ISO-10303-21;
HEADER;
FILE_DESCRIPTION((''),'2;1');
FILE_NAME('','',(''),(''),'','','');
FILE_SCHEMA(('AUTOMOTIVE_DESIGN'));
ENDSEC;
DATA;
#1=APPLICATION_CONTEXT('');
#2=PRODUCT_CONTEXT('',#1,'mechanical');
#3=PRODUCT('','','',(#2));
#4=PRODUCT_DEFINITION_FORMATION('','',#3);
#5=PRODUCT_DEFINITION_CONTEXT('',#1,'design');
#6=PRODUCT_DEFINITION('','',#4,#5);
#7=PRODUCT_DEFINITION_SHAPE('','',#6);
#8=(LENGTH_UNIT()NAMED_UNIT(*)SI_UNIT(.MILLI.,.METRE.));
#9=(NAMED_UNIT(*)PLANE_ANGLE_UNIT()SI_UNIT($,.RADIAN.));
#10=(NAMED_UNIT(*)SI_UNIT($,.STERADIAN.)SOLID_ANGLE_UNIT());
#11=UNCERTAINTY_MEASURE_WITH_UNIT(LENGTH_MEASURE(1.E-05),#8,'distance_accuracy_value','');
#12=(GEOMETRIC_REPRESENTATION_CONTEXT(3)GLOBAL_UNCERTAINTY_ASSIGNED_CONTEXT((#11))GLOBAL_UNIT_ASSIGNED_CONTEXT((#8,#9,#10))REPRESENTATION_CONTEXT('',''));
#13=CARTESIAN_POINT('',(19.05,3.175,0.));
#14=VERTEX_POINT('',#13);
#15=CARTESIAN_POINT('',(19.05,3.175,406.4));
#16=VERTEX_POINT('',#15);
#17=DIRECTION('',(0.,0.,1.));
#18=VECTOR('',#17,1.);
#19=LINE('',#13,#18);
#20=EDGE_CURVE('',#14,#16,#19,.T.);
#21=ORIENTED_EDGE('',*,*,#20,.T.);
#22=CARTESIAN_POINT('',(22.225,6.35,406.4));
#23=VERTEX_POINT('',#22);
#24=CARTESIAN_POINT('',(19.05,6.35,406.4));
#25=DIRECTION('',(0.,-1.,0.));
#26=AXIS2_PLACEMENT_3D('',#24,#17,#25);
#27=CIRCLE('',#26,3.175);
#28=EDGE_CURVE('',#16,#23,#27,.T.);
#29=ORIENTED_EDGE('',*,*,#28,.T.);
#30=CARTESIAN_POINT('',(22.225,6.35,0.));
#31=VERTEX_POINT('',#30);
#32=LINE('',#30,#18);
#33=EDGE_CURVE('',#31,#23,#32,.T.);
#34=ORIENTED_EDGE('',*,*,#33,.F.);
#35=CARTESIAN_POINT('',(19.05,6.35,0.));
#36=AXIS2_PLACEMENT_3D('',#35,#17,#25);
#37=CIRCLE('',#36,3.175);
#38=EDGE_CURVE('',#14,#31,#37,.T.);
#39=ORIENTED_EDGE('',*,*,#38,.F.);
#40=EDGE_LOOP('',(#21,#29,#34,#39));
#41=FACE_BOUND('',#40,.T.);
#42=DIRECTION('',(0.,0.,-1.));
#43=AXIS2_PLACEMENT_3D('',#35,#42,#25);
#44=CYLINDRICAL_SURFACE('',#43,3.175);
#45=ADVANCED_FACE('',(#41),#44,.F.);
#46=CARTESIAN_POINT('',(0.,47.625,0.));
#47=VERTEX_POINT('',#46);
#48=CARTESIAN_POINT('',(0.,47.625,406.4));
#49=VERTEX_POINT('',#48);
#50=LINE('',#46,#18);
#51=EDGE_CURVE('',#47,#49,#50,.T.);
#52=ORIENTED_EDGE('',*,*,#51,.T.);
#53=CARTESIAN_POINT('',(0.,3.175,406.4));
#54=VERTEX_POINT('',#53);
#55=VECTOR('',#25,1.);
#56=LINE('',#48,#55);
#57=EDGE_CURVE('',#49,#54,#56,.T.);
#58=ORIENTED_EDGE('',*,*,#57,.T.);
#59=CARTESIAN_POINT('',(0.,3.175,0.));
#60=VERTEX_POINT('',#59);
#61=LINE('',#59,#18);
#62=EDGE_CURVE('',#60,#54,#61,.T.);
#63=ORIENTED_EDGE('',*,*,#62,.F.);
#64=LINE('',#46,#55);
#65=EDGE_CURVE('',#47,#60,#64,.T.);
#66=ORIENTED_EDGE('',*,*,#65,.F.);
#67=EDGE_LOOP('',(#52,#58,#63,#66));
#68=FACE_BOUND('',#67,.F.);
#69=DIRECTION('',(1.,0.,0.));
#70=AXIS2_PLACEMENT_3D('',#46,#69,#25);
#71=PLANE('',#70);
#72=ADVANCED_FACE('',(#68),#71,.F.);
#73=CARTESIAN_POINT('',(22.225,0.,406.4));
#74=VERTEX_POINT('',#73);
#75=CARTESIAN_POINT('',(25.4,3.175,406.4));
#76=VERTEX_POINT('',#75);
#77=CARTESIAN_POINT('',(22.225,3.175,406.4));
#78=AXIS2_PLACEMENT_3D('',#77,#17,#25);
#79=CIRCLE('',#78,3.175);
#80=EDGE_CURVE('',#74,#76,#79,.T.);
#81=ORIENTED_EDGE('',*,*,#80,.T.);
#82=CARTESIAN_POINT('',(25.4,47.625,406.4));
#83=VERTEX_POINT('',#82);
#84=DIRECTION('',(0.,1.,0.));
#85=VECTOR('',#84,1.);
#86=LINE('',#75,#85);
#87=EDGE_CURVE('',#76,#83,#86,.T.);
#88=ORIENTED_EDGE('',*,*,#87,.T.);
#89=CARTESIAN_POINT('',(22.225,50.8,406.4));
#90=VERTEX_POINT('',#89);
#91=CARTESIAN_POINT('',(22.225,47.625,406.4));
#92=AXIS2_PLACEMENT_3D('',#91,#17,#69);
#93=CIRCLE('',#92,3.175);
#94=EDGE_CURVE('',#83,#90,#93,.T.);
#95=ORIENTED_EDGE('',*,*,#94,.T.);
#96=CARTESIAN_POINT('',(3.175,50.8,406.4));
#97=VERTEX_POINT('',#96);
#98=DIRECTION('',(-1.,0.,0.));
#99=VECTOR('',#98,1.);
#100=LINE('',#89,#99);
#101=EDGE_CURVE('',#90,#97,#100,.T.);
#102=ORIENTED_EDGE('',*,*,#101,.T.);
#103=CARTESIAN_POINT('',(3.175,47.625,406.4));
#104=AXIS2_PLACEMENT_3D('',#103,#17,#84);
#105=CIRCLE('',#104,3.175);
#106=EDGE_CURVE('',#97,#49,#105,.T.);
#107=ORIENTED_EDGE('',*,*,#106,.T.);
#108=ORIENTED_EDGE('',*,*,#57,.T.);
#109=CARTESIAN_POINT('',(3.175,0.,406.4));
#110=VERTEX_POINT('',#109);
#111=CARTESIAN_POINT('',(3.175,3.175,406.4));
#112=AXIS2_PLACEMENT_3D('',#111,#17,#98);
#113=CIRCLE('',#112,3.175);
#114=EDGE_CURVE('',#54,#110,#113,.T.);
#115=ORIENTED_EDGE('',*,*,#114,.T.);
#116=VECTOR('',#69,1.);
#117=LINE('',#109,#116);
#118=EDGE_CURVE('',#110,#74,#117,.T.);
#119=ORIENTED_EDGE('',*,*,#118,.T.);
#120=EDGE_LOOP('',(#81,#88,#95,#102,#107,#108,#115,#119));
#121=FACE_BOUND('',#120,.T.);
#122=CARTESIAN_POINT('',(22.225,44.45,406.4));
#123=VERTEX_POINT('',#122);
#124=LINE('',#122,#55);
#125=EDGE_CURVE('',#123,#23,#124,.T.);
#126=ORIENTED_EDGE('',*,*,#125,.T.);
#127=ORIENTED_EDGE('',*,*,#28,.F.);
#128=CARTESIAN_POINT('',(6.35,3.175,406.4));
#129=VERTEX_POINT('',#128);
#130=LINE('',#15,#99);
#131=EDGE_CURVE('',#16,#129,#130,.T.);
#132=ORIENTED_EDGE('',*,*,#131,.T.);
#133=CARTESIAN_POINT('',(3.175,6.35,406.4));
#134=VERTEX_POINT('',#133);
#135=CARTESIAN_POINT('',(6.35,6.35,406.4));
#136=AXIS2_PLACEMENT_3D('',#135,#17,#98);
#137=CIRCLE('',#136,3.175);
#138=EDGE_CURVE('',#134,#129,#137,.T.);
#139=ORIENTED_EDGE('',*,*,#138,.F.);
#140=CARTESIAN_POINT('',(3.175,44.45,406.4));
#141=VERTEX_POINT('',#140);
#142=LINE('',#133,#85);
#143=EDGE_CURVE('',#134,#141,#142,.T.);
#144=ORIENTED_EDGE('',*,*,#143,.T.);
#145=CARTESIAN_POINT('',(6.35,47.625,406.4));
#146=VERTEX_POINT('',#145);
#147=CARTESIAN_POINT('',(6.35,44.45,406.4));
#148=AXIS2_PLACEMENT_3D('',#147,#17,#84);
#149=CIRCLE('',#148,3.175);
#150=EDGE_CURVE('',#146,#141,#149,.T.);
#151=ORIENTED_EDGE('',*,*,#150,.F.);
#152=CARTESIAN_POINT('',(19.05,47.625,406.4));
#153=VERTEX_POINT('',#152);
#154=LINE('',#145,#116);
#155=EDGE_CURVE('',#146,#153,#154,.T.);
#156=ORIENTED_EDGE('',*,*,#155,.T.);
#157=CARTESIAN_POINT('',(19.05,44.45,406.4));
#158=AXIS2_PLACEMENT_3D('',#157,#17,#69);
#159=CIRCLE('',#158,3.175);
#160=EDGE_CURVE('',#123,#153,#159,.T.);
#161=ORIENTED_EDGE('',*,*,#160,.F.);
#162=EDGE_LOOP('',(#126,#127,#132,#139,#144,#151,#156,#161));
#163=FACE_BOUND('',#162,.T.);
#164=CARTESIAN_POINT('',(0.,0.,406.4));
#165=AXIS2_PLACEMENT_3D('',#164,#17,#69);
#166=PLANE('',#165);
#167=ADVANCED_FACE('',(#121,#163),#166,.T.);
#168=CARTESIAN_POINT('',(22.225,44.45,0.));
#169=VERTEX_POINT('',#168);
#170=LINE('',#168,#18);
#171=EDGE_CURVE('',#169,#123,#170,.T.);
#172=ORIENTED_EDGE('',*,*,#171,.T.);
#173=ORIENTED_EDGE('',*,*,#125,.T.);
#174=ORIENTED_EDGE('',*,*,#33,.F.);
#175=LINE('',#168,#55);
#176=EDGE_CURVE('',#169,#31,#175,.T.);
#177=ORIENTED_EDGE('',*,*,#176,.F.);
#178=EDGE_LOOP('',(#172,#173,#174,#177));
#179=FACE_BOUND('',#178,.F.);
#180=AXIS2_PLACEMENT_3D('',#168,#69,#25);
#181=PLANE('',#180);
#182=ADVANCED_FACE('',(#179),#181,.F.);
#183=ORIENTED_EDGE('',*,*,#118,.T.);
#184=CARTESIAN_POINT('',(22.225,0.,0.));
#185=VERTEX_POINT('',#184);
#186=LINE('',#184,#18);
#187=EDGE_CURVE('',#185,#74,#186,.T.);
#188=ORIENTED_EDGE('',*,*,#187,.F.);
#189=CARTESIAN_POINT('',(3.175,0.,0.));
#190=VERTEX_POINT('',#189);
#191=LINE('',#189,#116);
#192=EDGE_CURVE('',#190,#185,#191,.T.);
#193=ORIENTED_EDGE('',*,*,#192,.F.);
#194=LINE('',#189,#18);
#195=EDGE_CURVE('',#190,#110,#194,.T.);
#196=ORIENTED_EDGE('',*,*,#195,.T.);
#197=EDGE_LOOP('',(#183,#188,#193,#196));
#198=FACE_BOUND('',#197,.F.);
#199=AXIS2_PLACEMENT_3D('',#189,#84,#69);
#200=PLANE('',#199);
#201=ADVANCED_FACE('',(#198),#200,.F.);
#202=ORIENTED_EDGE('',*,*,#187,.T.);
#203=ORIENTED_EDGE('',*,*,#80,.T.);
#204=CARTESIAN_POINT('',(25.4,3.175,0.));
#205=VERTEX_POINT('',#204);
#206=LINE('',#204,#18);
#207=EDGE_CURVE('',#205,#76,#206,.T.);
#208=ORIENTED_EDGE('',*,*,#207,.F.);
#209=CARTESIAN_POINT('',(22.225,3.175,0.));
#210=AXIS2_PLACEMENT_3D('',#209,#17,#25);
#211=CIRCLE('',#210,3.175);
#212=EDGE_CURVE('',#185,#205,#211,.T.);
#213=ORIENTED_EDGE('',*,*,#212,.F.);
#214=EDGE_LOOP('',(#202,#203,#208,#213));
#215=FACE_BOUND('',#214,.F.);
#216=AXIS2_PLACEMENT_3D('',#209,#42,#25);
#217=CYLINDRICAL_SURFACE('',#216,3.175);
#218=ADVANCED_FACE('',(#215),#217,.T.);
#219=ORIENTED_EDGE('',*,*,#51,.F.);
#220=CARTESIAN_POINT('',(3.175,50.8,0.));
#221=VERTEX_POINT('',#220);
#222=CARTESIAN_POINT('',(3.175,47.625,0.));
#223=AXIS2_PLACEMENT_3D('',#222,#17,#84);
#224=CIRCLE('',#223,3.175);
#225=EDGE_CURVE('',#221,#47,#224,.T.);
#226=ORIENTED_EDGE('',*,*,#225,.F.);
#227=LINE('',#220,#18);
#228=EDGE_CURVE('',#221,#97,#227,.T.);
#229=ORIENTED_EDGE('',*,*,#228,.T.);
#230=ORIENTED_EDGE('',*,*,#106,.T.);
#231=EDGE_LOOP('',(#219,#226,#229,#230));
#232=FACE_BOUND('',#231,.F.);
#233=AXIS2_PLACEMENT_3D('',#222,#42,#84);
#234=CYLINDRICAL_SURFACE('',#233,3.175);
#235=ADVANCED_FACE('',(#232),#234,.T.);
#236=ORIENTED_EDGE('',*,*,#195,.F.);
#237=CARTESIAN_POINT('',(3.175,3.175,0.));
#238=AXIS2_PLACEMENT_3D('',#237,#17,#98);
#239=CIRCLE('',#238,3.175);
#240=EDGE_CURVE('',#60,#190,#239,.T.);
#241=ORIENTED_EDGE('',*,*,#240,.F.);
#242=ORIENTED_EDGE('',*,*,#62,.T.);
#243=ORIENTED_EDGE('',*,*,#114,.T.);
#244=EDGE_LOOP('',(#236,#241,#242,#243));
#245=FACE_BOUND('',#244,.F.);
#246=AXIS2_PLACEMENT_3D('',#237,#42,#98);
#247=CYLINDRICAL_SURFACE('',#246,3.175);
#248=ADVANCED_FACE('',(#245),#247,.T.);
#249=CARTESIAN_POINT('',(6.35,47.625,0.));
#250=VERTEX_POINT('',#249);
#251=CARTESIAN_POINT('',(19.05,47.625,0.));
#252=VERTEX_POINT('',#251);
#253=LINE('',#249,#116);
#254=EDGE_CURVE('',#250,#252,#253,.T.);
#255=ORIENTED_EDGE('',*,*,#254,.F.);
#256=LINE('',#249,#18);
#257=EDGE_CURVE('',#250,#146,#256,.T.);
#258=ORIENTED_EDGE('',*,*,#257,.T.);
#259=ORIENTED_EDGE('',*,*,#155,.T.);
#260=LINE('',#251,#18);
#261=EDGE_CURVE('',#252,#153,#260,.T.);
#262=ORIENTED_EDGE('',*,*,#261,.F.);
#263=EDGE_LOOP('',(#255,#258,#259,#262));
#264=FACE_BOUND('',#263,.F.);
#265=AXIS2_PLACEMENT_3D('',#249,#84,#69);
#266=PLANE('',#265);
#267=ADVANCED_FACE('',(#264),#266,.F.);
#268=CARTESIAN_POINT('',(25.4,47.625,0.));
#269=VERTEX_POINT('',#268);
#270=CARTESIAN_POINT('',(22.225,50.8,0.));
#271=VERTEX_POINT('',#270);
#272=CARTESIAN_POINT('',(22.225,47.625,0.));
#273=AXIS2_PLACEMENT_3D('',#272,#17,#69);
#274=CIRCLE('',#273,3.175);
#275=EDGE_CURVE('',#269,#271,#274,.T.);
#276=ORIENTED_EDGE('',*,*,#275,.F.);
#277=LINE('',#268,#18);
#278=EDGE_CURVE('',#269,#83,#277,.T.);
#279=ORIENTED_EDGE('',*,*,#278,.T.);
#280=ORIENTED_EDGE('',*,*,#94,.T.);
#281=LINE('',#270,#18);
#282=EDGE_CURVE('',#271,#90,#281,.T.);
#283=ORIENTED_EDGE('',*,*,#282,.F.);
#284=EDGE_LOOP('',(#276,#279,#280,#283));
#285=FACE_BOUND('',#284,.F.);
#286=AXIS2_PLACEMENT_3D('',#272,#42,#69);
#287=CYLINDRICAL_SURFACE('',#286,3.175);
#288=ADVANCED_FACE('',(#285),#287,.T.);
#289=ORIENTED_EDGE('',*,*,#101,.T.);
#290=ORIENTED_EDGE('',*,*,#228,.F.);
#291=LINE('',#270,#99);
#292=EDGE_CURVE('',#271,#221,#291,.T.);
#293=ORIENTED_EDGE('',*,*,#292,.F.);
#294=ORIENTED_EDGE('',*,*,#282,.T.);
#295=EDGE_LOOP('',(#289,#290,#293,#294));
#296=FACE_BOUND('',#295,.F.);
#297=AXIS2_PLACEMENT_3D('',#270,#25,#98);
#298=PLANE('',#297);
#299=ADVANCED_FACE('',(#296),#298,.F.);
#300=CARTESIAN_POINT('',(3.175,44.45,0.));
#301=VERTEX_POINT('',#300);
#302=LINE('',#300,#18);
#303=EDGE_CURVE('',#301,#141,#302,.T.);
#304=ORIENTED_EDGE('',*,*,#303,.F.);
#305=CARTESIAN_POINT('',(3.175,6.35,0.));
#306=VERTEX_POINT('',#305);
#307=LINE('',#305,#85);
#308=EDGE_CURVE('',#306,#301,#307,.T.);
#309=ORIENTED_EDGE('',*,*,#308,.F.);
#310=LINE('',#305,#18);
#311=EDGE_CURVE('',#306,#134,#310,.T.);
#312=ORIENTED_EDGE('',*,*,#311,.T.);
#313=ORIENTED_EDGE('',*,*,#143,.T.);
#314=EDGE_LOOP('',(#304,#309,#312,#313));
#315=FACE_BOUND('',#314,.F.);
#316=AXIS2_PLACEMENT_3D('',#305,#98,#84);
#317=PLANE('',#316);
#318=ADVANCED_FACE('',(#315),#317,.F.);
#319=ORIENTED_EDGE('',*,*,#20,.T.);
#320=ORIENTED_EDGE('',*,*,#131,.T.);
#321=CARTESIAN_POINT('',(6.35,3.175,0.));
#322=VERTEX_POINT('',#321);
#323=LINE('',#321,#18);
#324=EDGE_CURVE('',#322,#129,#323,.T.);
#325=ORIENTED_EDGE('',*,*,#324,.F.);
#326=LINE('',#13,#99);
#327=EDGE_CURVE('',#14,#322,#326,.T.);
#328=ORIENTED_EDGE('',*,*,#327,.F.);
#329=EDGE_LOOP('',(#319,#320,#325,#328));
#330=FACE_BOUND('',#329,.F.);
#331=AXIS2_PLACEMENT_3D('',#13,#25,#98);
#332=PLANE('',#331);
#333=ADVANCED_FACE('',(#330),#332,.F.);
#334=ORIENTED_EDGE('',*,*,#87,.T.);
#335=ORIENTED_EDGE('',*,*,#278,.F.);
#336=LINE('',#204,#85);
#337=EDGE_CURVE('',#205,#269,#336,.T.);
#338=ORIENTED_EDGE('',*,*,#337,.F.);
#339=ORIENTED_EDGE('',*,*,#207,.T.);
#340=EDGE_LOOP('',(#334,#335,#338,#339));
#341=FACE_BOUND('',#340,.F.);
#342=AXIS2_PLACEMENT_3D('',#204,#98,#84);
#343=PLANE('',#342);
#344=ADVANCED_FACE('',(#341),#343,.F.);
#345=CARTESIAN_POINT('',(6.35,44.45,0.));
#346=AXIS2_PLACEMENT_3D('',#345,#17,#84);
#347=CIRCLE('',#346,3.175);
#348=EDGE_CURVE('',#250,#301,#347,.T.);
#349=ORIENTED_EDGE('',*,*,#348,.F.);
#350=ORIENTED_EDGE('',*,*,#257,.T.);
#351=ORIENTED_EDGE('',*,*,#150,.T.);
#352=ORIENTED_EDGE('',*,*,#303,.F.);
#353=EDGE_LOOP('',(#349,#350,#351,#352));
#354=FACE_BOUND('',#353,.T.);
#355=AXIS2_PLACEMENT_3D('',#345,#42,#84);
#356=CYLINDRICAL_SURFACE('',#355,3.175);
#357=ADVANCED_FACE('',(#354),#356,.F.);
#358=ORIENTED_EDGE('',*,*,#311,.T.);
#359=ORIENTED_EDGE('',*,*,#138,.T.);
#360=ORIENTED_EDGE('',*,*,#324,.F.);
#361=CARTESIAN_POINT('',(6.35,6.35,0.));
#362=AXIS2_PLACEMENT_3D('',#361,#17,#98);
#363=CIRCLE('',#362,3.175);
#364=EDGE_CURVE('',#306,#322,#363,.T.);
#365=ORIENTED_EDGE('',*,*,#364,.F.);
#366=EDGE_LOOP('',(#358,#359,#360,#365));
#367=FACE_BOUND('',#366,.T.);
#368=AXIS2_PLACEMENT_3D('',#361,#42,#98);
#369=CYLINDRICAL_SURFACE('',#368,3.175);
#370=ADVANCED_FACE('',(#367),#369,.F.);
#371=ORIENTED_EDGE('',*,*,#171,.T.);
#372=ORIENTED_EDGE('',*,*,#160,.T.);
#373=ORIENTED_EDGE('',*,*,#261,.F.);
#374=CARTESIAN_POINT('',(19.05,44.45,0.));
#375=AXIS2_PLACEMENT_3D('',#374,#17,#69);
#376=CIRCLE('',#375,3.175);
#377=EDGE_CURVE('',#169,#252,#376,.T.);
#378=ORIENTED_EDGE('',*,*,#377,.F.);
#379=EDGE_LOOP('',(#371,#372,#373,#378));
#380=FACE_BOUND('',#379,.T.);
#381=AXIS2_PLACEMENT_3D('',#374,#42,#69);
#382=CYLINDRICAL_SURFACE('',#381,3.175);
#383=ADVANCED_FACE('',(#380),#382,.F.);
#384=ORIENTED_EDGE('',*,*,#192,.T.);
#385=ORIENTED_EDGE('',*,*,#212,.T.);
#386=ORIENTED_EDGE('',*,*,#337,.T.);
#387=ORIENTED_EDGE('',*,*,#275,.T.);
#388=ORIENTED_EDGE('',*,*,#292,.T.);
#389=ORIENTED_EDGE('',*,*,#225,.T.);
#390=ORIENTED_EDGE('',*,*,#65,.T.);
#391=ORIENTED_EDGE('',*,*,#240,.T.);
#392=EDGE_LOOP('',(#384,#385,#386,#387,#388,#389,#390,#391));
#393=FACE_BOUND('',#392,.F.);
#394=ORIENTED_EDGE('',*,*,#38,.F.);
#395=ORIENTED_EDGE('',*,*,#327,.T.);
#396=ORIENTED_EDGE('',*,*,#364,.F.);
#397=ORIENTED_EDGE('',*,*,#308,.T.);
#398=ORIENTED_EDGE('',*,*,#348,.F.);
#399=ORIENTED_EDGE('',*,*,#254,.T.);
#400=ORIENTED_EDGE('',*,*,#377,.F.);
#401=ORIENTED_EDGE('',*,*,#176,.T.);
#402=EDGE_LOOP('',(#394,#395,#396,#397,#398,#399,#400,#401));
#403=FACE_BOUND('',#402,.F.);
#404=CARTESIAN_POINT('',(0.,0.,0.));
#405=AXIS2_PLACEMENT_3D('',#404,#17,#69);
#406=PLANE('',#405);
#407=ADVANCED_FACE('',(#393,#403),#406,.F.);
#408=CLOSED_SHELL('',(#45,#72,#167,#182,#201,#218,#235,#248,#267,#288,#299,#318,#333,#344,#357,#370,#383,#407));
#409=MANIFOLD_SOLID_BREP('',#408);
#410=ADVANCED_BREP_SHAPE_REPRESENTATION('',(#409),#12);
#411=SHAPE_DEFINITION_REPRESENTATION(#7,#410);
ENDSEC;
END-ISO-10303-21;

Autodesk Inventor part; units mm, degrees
ref_plane "YZ Plane" through (0, 0, 0) normal (1, 0, 0) x (0, 1, 0)
ref_plane "XZ Plane" through (0, 0, 0) normal (0, 1, 0) x (-1, 0, 0)
ref_plane "XY Plane" through (0, 0, 0) normal (0, 0, 1) x (1, 0, 0)
sketch "Sketch1" plane through (0, 0, 0) normal (0, 0, 1) x (1, 0, 0)
  line L0 (3.175, 0) -> (22.225, 0)
  line L1 (25.4, 3.175) -> (25.4, 47.625)
  line L2 (22.225, 50.8) -> (3.175, 50.8)
  line L3 (0, 47.625) -> (0, 3.175)
  arc A0 (3.175, 50.8) -> (0, 47.625) centre (3.175, 47.625) ccw
  arc A1 (25.4, 47.625) -> (22.225, 50.8) centre (22.225, 47.625) ccw
  arc A2 (22.225, 0) -> (25.4, 3.175) centre (22.225, 3.175) ccw
  arc A3 (0, 3.175) -> (3.175, 0) centre (3.175, 3.175) ccw
  line L4 (6.35, 47.625) -> (19.05, 47.625)
  line L5 (22.225, 44.45) -> (22.225, 6.35)
  line L6 (19.05, 3.175) -> (6.35, 3.175)
  line L7 (3.175, 6.35) -> (3.175, 44.45)
  arc A4 (6.35, 47.625) -> (3.175, 44.45) centre (6.35, 44.45) ccw
  arc A5 (22.225, 44.45) -> (19.05, 47.625) centre (19.05, 44.45) ccw
  arc A6 (3.175, 6.35) -> (6.35, 3.175) centre (6.35, 6.35) ccw
  arc A7 (19.05, 3.175) -> (22.225, 6.35) centre (19.05, 6.35) ccw
  point P0 (0, 0)
  point P1 (25.4, 0)
  point P2 (0, 50.8)
  dimension "d0" = 50.8
  dimension "d1" = 25.4
  dimension "d2" = 3.175
  dimension "d3" = 3.175
  dimension "d4" = 3.175
  dimension "d5" = 3.175
  dimension "d6" = 3.175
  dimension "d7" = 3.175
  dimension "d8" = 3.175
  dimension "d9" = 3.175
  dimension "d10" = 3.175
extrude "Extrusion1" add sketch "Sketch1" along normal blind 406.4
properties part number "O channel 16 inch"
